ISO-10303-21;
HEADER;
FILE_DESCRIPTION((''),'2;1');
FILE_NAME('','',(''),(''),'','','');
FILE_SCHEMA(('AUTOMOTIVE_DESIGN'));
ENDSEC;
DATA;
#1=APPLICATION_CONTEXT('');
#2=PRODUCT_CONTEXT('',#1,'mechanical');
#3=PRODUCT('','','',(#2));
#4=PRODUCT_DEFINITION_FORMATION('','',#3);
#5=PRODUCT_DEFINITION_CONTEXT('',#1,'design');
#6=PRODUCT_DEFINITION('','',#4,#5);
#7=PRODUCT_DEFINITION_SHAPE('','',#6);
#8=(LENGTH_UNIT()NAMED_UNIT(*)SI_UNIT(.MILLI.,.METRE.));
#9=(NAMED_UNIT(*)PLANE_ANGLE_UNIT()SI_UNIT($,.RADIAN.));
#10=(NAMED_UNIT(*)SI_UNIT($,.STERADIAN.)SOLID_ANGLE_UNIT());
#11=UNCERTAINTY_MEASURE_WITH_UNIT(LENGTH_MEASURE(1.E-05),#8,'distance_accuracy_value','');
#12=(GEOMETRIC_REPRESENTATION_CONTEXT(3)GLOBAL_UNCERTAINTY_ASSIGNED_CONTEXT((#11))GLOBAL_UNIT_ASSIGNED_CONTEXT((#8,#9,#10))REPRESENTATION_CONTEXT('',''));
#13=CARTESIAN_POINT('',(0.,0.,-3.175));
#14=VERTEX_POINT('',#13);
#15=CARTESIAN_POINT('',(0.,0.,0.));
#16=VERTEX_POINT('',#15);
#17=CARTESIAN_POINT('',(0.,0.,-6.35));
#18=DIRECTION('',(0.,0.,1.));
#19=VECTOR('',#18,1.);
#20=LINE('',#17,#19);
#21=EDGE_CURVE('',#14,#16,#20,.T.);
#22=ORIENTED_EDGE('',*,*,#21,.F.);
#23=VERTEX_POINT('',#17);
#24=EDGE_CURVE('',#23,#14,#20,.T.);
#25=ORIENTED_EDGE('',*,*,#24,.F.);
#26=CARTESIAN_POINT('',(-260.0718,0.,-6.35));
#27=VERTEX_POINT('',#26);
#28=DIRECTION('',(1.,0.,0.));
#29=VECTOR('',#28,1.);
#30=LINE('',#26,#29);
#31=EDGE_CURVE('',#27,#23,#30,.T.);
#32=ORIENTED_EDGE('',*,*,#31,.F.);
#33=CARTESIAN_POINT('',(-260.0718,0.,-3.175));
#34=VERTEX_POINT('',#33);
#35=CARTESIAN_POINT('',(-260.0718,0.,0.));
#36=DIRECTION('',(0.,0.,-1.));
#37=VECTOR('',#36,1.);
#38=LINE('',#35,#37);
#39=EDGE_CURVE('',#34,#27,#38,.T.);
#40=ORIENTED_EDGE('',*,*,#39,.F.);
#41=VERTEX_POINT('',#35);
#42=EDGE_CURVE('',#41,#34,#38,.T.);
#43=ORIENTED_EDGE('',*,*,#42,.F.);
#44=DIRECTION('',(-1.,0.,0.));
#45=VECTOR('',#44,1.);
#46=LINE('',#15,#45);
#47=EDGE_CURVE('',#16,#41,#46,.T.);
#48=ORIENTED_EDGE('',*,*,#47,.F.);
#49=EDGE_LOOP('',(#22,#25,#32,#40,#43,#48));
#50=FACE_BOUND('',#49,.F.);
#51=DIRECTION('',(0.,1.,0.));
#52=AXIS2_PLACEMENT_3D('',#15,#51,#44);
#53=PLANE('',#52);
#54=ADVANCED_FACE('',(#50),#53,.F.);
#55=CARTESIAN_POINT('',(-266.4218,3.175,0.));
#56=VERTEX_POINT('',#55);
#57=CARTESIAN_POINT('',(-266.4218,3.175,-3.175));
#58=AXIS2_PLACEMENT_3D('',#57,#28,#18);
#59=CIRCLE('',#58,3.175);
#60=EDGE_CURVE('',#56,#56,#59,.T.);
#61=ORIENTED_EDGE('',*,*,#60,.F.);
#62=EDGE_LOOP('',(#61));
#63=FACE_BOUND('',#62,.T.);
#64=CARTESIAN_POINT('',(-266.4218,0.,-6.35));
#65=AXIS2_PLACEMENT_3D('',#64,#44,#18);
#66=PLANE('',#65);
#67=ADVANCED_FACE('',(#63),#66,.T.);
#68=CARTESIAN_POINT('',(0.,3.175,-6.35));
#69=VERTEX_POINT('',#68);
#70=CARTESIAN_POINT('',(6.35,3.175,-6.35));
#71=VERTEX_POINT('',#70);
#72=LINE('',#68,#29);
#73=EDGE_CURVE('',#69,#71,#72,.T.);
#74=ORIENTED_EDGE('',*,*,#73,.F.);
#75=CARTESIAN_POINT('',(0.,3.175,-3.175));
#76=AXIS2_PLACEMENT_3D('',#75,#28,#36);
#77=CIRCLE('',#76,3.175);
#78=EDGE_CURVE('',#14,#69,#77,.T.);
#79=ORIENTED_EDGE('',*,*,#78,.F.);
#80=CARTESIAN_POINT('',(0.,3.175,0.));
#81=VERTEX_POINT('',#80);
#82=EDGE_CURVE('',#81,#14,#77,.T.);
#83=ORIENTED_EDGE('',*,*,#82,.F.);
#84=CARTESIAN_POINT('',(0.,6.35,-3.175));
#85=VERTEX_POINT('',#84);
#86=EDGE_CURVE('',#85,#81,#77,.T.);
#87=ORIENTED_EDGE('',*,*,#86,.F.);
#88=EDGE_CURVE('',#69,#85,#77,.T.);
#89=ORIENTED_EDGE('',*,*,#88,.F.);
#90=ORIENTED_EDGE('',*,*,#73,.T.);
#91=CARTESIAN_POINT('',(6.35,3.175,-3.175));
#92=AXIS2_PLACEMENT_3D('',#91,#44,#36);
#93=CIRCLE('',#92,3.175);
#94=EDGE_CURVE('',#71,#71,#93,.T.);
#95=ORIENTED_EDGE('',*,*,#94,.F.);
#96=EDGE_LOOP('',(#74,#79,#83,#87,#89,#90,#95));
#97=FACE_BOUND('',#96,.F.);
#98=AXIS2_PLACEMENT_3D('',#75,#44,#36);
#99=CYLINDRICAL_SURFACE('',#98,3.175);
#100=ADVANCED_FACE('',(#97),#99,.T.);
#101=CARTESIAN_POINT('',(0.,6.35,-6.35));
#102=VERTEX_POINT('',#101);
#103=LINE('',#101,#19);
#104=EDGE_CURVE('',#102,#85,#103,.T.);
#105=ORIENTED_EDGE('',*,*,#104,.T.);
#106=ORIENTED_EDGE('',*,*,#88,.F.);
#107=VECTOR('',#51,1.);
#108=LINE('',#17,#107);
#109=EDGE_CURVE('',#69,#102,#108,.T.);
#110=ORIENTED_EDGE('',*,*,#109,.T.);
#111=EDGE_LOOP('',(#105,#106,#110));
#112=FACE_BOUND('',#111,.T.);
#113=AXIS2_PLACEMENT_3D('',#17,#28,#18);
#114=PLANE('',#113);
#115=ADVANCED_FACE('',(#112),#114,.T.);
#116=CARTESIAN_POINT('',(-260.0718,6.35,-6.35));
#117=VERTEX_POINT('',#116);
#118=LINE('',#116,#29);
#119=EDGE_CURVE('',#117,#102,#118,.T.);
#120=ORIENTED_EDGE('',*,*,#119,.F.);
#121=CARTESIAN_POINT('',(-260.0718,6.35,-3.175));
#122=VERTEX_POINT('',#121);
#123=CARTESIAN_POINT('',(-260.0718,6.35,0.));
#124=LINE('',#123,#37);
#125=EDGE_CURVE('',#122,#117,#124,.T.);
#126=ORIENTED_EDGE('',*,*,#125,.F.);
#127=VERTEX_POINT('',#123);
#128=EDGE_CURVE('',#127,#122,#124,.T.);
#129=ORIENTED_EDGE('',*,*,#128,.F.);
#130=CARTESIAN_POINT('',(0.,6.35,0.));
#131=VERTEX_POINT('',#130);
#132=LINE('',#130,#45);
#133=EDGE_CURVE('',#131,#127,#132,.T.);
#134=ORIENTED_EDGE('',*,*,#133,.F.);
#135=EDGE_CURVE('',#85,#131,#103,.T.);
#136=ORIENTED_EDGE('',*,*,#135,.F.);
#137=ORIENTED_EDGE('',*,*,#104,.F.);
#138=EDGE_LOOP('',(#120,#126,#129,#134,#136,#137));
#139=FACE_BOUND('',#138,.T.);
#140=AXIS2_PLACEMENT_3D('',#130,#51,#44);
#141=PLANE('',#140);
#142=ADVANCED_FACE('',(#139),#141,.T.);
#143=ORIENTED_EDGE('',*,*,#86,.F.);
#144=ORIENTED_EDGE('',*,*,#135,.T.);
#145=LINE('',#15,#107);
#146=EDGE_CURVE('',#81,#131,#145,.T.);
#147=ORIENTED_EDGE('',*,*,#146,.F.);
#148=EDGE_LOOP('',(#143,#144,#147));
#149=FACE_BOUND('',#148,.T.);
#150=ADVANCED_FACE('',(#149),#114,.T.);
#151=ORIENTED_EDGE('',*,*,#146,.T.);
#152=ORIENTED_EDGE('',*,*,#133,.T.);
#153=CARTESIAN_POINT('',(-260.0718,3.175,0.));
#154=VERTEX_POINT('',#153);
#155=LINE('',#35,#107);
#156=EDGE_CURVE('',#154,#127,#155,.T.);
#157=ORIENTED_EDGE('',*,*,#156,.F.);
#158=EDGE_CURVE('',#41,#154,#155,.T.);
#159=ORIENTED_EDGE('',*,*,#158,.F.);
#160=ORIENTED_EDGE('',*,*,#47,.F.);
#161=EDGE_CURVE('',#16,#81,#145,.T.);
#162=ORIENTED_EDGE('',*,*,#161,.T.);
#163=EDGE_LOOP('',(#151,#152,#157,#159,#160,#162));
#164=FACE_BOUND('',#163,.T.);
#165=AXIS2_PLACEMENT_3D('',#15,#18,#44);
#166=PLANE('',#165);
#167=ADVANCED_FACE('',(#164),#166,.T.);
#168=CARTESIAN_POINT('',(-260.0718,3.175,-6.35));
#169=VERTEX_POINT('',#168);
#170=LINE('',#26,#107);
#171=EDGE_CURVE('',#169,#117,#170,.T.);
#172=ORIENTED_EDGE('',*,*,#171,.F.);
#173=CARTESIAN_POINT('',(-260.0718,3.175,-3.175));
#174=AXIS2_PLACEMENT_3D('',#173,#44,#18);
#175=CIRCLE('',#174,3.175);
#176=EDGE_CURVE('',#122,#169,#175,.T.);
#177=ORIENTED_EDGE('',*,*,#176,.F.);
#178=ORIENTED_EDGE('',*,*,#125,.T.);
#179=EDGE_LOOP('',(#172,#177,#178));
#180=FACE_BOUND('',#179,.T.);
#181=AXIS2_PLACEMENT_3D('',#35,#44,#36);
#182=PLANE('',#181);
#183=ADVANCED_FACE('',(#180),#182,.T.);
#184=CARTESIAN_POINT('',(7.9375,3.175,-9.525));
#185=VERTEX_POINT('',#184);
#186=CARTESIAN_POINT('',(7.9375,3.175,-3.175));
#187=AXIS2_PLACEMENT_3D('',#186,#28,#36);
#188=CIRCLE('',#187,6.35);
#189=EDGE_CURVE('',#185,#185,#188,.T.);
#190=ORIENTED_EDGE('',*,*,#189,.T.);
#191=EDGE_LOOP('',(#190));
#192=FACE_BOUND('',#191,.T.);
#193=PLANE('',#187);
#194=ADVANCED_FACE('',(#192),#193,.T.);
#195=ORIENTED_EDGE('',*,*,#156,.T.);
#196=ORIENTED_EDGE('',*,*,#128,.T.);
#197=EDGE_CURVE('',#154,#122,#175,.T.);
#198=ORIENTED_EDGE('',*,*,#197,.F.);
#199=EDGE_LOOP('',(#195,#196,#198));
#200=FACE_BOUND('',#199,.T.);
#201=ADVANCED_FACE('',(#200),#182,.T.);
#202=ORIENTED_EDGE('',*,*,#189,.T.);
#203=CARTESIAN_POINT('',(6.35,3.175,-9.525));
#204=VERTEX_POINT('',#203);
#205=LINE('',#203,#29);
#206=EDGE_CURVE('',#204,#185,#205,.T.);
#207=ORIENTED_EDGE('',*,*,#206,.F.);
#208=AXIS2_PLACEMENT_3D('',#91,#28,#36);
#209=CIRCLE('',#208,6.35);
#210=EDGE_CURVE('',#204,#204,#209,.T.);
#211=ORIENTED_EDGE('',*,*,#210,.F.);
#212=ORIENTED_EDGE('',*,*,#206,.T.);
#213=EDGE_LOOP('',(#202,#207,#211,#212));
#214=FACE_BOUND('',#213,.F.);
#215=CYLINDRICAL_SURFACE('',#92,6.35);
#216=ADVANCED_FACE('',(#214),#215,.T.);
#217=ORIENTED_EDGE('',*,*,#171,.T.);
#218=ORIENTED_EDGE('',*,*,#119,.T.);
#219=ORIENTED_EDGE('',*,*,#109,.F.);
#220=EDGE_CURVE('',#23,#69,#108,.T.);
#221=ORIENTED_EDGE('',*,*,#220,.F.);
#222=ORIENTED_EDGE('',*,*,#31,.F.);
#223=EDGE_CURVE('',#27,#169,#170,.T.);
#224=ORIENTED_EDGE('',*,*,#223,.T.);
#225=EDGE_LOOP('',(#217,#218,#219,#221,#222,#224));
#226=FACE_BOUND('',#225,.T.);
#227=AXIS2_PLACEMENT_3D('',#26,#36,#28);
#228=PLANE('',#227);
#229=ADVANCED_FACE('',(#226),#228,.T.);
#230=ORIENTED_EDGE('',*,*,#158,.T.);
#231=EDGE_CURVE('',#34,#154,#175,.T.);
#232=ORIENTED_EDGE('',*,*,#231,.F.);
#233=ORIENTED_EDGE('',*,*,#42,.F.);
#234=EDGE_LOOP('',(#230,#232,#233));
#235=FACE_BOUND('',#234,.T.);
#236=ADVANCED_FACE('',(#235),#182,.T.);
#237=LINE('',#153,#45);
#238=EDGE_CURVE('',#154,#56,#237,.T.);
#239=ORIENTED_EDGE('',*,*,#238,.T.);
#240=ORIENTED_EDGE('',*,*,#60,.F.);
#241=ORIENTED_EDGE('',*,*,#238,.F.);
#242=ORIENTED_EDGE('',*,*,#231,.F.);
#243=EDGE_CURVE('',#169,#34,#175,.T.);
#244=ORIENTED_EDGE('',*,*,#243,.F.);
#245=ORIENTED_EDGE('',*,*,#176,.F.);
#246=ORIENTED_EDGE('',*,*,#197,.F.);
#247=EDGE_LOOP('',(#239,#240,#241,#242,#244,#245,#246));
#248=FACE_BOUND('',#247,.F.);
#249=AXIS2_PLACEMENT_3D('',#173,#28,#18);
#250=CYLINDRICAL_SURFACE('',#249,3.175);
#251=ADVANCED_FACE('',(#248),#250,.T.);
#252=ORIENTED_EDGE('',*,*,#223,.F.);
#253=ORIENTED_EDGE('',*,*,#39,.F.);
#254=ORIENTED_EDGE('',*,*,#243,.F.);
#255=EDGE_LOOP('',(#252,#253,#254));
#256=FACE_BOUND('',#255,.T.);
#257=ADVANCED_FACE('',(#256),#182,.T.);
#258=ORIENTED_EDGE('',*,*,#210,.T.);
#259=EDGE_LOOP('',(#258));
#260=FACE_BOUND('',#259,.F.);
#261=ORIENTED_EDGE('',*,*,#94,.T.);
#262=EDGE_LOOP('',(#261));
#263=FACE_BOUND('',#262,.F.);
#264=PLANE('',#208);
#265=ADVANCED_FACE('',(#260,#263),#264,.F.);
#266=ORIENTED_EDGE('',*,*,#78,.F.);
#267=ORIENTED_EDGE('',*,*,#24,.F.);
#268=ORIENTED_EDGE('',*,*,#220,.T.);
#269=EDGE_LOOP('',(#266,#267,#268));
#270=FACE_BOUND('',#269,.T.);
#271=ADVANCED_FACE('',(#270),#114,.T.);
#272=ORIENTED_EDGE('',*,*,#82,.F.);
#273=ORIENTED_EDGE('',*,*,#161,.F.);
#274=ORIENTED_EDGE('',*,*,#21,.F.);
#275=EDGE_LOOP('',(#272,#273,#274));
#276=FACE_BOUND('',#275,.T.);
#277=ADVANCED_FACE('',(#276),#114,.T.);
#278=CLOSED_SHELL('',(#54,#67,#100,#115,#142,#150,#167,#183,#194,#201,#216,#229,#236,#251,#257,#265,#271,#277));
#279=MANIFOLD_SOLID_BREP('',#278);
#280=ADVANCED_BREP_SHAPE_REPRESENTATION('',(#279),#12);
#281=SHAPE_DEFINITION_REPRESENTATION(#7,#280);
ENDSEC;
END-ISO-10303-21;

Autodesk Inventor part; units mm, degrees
ref_plane "YZ Plane" through (0, 0, 0) normal (1, 0, 0) x (0, 1, 0)
ref_plane "XZ Plane" through (0, 0, 0) normal (0, 1, 0) x (-1, 0, 0)
ref_plane "XY Plane" through (0, 0, 0) normal (0, 0, 1) x (1, 0, 0)
sketch "Sketch1" plane through (0, 0, 0) normal (0, 1, 0) x (-1, 0, 0)
  line L0 (0, 0) -> (260.0718, 0)
  line L1 (260.0718, 0) -> (260.0718, -6.35)
  line L2 (260.0718, -6.35) -> (0, -6.35)
  line L3 (0, -6.35) -> (0, 0)
  dimension "d0" = 260.0718
  dimension "d1" = 6.35
extrude "Extrusion1" add sketch "Sketch1" along normal blind 6.35
sketch "Sketch2" plane through (-260.0718, 0, -6.35) normal (-1, 0, 0) x (0, 0, 1)
  line L0 (6.35, 6.35) -> (0, 6.35) projected
  line L1 (6.35, 0) -> (6.35, 6.35) projected
  circle A0 centre (3.175, 3.175) radius 3.175
  dimension "d4" = 3.175
  dimension "d5" = 3.175
  dimension "d6" = 6.35
extrude "Extrusion2" add sketch "Sketch2" along normal blind 6.35 contours A0
sketch "Sketch3" plane through (0, 0, 0) normal (1, 0, 0) x (0, 0, -1)
  line L0 (0, 6.35) -> (6.35, 6.35) projected
  line L1 (6.35, 0) -> (6.35, 6.35) projected
  circle A0 centre (3.175, 3.175) radius 3.175
  point P0 (0, 0)
  dimension "d9" = 3.175
  dimension "d10" = 3.175
  dimension "d11" = 6.35
extrude "Extrusion3" add sketch "Sketch3" along normal blind 6.35 contours A0
sketch "Sketch4" plane through (6.35, 3.175, -3.175) normal (1, 0, 0) x (0, 0, -1)
  circle A0 centre (0, 0) radius 6.35
  point P0 (-3.175, -3.175)
  dimension "d14" = 12.7
extrude "Extrusion4" add sketch "Sketch4" along normal blind 1.5875
equation "\"d0\" = -6 * SpWall + IBDia"
equation "\"d1\" = AxelDia"
equation "\"d2\" = AxelDia"
equation "\"d4\" = 0.5 * AxelDia"
equation "\"d5\" = 0.5 * AxelDia"
equation "\"d6\" = AxelDia"
equation "\"d7\" = 2 * SpWall"
equation "\"d9\" = 0.5 * AxelDia"
equation "\"d10\" = 0.5 * AxelDia"
equation "\"d11\" = AxelDia"
equation "\"d12\" = 2 * SpWall"
equation "\"d15\" = Wall"
equation "\"SpWall\" = 3.175"
equation "\"IBDia\" = 279.121792"
equation "\"AxelDia\" = 6.35"
equation "\"Wall\" = 1.5875"
properties part number "MotorMntPart"
